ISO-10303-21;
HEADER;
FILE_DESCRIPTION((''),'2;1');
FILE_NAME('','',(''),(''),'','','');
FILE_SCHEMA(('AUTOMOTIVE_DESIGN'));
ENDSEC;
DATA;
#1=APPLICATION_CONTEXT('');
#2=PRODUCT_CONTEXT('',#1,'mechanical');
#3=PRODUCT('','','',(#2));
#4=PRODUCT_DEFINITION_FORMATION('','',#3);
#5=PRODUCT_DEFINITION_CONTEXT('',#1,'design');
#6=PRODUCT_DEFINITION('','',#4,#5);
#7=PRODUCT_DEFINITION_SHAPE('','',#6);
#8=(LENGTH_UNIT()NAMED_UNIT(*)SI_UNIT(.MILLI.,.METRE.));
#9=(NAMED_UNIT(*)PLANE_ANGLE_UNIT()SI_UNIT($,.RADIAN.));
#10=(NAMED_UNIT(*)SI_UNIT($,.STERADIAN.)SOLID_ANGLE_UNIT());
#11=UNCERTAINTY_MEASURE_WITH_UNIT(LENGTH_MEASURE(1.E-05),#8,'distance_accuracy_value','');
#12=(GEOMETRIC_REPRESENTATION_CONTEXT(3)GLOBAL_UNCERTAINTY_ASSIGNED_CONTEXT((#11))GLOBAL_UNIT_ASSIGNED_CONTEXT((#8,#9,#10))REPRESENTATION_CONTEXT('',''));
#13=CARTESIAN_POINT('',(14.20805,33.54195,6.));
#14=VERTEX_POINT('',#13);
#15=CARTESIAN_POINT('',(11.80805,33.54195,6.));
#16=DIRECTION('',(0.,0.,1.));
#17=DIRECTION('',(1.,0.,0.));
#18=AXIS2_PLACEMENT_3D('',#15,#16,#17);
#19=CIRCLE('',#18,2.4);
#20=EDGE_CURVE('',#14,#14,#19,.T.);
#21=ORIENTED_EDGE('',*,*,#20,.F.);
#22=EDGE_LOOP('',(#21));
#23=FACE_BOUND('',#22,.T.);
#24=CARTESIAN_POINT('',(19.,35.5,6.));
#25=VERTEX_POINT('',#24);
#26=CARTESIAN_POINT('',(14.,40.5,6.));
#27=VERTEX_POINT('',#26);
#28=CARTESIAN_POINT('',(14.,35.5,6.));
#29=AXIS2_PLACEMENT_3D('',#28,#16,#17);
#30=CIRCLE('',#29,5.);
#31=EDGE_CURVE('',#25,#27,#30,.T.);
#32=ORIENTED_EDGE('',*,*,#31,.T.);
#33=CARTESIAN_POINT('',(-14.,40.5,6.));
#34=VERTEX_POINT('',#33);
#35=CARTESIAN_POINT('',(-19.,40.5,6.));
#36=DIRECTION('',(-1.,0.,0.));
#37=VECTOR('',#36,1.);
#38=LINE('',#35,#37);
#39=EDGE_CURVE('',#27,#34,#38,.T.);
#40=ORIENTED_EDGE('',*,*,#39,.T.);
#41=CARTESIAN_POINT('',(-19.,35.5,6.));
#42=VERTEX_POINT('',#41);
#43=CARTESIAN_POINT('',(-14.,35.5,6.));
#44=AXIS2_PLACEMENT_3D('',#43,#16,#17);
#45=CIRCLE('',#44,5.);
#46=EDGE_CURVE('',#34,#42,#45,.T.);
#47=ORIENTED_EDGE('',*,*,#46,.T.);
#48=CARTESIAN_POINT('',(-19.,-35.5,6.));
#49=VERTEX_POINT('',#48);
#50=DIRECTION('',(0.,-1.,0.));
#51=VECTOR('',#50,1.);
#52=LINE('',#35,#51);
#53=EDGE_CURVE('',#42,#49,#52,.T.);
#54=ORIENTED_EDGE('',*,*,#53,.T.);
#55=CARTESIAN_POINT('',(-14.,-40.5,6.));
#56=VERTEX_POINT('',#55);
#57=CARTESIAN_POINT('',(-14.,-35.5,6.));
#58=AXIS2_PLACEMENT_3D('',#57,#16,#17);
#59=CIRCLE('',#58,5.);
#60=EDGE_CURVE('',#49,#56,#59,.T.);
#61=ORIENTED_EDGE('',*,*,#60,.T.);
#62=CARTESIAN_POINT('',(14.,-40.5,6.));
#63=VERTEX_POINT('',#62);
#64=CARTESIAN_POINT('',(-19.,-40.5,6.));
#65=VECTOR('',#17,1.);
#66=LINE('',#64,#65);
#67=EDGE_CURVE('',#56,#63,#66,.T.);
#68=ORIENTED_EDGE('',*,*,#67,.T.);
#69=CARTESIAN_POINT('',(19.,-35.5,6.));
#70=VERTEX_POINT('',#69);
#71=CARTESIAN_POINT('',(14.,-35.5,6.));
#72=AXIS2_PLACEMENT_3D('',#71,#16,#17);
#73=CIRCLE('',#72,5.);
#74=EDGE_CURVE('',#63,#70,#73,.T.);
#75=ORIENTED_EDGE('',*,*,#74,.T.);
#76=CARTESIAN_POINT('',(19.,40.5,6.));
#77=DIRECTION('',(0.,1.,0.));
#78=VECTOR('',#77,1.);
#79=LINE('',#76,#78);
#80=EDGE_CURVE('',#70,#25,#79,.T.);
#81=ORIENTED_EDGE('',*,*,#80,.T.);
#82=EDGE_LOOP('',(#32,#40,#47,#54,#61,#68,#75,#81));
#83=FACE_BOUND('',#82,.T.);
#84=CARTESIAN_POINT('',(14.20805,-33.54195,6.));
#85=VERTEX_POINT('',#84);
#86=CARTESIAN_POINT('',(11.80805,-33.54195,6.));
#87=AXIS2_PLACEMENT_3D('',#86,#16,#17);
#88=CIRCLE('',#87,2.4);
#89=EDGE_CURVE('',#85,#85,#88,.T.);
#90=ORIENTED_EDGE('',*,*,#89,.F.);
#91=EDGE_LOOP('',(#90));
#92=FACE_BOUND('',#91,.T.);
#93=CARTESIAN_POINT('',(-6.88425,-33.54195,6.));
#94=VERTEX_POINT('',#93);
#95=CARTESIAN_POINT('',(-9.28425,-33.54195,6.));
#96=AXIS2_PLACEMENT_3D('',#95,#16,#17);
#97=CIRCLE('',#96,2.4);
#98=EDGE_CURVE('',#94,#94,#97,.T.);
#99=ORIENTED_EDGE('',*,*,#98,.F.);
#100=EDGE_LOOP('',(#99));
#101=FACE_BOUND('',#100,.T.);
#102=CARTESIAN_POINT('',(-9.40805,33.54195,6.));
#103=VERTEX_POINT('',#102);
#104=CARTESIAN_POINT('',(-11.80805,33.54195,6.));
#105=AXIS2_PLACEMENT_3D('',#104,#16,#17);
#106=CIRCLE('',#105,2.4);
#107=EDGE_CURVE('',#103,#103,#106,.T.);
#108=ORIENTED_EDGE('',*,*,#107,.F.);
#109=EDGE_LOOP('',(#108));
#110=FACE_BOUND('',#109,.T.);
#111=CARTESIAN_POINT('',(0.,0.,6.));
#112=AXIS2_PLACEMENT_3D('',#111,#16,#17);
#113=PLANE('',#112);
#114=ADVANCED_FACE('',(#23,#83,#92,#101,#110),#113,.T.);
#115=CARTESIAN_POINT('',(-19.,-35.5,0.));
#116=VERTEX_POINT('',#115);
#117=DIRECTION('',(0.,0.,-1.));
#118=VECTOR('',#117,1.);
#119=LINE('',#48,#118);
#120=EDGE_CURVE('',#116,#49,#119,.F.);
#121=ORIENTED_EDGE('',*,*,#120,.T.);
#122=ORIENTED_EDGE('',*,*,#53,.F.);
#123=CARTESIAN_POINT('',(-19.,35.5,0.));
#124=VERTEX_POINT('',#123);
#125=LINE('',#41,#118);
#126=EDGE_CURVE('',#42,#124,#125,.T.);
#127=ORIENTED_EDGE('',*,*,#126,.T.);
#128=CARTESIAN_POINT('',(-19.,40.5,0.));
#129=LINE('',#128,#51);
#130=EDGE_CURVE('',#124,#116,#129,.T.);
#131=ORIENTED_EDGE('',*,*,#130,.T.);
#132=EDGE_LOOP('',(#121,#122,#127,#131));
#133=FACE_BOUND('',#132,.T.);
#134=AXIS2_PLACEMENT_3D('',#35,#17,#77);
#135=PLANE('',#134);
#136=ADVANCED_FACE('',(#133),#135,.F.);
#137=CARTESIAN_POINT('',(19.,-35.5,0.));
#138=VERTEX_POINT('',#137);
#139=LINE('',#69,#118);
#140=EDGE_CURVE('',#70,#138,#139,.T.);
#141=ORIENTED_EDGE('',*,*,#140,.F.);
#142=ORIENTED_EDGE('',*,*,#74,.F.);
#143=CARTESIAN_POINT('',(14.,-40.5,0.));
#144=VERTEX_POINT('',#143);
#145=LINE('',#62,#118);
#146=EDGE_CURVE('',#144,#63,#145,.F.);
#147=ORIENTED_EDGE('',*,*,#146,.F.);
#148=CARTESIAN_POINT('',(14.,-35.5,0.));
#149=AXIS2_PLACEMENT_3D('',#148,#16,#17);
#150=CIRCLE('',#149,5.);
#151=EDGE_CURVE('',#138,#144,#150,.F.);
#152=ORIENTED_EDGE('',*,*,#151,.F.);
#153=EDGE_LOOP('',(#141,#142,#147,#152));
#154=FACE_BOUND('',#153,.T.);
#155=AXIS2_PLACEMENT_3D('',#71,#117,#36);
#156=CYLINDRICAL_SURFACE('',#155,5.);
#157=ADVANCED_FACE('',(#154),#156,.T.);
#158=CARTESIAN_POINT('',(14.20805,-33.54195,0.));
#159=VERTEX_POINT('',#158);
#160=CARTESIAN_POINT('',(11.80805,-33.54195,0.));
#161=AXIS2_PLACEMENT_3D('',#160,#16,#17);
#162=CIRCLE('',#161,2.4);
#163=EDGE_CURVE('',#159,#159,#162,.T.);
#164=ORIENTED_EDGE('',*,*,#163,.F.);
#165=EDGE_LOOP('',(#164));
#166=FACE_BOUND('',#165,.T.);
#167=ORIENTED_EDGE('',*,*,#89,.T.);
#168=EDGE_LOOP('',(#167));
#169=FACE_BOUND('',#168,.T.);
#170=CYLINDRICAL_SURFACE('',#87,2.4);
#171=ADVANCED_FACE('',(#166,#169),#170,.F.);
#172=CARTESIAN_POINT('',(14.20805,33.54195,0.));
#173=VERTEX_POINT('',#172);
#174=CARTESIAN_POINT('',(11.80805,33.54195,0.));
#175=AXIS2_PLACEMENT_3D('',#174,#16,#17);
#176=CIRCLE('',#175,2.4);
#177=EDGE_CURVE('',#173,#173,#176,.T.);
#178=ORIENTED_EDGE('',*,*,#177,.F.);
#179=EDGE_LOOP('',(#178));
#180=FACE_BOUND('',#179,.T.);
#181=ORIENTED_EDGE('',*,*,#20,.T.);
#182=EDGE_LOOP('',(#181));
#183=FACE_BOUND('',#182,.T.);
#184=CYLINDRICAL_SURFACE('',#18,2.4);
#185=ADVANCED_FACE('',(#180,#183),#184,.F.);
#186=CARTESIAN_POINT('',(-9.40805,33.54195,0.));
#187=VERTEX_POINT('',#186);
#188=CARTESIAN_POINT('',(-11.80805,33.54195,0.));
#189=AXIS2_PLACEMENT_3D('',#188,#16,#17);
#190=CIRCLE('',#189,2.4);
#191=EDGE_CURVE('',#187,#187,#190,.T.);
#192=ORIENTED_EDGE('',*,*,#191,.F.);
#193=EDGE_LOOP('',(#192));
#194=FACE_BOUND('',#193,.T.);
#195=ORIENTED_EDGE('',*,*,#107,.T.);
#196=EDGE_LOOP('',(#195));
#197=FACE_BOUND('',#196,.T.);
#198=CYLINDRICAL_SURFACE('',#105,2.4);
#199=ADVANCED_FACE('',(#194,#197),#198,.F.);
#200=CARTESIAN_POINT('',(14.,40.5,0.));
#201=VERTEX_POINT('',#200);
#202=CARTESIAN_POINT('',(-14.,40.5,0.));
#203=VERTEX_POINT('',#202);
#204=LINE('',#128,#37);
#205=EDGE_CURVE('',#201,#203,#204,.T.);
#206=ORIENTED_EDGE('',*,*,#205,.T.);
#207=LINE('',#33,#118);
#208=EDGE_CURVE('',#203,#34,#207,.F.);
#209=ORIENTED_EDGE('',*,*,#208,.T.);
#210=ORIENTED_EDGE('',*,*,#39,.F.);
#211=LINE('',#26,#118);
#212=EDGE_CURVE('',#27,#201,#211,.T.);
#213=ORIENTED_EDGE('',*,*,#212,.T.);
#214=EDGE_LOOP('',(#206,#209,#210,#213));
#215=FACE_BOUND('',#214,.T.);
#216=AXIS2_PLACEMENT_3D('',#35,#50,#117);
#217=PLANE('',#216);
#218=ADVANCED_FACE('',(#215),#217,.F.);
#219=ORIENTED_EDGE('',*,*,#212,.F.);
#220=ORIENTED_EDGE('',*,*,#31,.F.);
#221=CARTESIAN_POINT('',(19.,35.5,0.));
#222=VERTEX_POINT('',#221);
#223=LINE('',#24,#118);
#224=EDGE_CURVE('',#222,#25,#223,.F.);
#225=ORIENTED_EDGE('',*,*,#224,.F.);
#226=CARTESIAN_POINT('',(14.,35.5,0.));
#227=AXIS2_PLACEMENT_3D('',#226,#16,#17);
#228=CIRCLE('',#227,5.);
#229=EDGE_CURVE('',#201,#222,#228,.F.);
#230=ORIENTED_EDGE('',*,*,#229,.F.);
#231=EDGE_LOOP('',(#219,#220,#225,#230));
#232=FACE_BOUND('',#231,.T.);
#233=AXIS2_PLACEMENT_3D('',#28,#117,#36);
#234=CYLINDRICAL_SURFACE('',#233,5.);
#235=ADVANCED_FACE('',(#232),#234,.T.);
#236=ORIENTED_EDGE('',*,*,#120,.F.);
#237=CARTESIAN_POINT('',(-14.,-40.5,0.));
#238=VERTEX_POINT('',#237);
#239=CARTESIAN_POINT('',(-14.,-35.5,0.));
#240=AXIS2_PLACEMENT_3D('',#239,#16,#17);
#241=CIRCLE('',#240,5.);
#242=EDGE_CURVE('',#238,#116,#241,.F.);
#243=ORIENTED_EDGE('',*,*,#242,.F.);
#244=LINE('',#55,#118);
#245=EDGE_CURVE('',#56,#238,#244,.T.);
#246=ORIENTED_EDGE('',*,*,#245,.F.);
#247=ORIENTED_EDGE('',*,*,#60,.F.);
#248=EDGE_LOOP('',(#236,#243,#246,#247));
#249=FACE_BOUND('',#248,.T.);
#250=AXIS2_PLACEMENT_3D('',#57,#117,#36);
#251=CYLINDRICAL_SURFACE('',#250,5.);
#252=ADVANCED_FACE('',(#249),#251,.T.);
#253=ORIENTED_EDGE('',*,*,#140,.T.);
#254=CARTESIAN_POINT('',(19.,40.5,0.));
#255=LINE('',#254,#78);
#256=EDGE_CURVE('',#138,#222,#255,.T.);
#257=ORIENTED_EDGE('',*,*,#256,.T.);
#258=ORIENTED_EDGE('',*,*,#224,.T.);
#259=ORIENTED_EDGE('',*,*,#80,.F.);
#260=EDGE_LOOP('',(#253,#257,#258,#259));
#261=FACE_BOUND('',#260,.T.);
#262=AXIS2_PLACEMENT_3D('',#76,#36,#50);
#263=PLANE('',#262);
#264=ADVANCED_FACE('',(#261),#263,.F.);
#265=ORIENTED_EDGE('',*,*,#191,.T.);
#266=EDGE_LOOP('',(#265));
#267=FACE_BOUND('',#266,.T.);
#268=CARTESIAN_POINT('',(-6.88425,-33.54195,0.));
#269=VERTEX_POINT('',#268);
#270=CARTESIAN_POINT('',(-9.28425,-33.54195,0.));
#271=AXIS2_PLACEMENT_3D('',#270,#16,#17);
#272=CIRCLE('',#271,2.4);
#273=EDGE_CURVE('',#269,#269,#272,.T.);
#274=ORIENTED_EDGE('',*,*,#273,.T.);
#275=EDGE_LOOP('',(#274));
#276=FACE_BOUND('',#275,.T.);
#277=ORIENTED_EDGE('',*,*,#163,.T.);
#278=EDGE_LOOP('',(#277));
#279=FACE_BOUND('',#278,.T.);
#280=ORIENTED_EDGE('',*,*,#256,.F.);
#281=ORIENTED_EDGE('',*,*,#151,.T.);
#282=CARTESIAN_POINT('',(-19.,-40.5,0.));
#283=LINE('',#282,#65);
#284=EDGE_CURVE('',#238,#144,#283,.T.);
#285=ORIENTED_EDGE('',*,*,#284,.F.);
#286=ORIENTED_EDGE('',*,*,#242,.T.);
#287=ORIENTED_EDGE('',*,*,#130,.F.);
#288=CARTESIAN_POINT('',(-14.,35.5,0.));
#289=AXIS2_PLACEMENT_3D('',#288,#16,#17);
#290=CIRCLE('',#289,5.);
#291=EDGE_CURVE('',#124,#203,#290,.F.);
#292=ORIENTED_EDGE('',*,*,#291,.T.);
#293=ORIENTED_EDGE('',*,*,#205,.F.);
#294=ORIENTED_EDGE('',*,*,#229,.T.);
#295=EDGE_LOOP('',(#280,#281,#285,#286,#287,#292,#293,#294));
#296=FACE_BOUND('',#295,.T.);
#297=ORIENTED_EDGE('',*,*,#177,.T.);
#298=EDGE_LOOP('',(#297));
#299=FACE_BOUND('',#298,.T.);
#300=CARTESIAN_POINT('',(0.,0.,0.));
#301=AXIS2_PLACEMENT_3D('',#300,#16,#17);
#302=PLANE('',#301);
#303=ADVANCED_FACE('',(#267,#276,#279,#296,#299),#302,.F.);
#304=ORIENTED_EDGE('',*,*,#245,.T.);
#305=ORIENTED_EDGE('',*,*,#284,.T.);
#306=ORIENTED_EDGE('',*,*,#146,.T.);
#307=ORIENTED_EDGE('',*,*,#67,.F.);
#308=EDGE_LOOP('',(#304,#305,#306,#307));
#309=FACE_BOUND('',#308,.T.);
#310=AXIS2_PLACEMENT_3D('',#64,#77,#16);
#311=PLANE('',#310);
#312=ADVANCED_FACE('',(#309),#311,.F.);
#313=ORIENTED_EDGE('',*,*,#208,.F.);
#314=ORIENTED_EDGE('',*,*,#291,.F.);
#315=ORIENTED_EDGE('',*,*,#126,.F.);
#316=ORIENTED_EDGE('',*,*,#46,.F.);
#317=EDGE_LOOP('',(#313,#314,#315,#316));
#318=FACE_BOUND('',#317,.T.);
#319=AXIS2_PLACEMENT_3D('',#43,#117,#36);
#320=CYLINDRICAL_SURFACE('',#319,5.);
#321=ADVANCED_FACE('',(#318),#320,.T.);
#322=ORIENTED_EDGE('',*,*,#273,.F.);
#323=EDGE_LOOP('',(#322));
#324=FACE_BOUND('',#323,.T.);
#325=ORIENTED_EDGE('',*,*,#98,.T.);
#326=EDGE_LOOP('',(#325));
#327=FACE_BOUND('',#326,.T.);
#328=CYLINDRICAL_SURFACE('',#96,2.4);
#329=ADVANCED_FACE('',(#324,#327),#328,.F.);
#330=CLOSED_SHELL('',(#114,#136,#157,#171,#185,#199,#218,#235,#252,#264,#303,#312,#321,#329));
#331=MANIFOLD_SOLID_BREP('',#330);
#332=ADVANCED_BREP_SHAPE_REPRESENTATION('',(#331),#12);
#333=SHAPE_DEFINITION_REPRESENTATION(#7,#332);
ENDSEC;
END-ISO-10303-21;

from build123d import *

# Parameters (mm, degrees)
SKETCH1_W            = 38
SKETCH1_H            = 81
BOSS_EXTRUDE1_DEPTH  = 6
M4_CLEARANCE_HOLE1_D = 4.8
FILLET1_R            = 5


with BuildPart() as part:
    # Sketch1 → Boss-Extrude1 (new body)
    with BuildSketch(Plane.XY):
        Rectangle(SKETCH1_W, SKETCH1_H)
    extrude(amount=BOSS_EXTRUDE1_DEPTH)

    # M4 Clearance Hole1 (through all)
    with Locations(Plane.XY.offset(6)):
        with Locations((-11.80805, 33.54195), (11.80805, 33.54195), (11.80805, -33.54195), (-9.28425, -33.54195)):
            Hole(M4_CLEARANCE_HOLE1_D / 2)

    # Fillet1
    fillet1_edges = [part.edges().sort_by_distance(p)[0] for p in [
        (19, -40.5, 3),
        (-19, -40.5, 3),
        (-19, 40.5, 3),
        (19, 40.5, 3),
    ]]
    fillet(fillet1_edges, radius=FILLET1_R)


solid = part.part
